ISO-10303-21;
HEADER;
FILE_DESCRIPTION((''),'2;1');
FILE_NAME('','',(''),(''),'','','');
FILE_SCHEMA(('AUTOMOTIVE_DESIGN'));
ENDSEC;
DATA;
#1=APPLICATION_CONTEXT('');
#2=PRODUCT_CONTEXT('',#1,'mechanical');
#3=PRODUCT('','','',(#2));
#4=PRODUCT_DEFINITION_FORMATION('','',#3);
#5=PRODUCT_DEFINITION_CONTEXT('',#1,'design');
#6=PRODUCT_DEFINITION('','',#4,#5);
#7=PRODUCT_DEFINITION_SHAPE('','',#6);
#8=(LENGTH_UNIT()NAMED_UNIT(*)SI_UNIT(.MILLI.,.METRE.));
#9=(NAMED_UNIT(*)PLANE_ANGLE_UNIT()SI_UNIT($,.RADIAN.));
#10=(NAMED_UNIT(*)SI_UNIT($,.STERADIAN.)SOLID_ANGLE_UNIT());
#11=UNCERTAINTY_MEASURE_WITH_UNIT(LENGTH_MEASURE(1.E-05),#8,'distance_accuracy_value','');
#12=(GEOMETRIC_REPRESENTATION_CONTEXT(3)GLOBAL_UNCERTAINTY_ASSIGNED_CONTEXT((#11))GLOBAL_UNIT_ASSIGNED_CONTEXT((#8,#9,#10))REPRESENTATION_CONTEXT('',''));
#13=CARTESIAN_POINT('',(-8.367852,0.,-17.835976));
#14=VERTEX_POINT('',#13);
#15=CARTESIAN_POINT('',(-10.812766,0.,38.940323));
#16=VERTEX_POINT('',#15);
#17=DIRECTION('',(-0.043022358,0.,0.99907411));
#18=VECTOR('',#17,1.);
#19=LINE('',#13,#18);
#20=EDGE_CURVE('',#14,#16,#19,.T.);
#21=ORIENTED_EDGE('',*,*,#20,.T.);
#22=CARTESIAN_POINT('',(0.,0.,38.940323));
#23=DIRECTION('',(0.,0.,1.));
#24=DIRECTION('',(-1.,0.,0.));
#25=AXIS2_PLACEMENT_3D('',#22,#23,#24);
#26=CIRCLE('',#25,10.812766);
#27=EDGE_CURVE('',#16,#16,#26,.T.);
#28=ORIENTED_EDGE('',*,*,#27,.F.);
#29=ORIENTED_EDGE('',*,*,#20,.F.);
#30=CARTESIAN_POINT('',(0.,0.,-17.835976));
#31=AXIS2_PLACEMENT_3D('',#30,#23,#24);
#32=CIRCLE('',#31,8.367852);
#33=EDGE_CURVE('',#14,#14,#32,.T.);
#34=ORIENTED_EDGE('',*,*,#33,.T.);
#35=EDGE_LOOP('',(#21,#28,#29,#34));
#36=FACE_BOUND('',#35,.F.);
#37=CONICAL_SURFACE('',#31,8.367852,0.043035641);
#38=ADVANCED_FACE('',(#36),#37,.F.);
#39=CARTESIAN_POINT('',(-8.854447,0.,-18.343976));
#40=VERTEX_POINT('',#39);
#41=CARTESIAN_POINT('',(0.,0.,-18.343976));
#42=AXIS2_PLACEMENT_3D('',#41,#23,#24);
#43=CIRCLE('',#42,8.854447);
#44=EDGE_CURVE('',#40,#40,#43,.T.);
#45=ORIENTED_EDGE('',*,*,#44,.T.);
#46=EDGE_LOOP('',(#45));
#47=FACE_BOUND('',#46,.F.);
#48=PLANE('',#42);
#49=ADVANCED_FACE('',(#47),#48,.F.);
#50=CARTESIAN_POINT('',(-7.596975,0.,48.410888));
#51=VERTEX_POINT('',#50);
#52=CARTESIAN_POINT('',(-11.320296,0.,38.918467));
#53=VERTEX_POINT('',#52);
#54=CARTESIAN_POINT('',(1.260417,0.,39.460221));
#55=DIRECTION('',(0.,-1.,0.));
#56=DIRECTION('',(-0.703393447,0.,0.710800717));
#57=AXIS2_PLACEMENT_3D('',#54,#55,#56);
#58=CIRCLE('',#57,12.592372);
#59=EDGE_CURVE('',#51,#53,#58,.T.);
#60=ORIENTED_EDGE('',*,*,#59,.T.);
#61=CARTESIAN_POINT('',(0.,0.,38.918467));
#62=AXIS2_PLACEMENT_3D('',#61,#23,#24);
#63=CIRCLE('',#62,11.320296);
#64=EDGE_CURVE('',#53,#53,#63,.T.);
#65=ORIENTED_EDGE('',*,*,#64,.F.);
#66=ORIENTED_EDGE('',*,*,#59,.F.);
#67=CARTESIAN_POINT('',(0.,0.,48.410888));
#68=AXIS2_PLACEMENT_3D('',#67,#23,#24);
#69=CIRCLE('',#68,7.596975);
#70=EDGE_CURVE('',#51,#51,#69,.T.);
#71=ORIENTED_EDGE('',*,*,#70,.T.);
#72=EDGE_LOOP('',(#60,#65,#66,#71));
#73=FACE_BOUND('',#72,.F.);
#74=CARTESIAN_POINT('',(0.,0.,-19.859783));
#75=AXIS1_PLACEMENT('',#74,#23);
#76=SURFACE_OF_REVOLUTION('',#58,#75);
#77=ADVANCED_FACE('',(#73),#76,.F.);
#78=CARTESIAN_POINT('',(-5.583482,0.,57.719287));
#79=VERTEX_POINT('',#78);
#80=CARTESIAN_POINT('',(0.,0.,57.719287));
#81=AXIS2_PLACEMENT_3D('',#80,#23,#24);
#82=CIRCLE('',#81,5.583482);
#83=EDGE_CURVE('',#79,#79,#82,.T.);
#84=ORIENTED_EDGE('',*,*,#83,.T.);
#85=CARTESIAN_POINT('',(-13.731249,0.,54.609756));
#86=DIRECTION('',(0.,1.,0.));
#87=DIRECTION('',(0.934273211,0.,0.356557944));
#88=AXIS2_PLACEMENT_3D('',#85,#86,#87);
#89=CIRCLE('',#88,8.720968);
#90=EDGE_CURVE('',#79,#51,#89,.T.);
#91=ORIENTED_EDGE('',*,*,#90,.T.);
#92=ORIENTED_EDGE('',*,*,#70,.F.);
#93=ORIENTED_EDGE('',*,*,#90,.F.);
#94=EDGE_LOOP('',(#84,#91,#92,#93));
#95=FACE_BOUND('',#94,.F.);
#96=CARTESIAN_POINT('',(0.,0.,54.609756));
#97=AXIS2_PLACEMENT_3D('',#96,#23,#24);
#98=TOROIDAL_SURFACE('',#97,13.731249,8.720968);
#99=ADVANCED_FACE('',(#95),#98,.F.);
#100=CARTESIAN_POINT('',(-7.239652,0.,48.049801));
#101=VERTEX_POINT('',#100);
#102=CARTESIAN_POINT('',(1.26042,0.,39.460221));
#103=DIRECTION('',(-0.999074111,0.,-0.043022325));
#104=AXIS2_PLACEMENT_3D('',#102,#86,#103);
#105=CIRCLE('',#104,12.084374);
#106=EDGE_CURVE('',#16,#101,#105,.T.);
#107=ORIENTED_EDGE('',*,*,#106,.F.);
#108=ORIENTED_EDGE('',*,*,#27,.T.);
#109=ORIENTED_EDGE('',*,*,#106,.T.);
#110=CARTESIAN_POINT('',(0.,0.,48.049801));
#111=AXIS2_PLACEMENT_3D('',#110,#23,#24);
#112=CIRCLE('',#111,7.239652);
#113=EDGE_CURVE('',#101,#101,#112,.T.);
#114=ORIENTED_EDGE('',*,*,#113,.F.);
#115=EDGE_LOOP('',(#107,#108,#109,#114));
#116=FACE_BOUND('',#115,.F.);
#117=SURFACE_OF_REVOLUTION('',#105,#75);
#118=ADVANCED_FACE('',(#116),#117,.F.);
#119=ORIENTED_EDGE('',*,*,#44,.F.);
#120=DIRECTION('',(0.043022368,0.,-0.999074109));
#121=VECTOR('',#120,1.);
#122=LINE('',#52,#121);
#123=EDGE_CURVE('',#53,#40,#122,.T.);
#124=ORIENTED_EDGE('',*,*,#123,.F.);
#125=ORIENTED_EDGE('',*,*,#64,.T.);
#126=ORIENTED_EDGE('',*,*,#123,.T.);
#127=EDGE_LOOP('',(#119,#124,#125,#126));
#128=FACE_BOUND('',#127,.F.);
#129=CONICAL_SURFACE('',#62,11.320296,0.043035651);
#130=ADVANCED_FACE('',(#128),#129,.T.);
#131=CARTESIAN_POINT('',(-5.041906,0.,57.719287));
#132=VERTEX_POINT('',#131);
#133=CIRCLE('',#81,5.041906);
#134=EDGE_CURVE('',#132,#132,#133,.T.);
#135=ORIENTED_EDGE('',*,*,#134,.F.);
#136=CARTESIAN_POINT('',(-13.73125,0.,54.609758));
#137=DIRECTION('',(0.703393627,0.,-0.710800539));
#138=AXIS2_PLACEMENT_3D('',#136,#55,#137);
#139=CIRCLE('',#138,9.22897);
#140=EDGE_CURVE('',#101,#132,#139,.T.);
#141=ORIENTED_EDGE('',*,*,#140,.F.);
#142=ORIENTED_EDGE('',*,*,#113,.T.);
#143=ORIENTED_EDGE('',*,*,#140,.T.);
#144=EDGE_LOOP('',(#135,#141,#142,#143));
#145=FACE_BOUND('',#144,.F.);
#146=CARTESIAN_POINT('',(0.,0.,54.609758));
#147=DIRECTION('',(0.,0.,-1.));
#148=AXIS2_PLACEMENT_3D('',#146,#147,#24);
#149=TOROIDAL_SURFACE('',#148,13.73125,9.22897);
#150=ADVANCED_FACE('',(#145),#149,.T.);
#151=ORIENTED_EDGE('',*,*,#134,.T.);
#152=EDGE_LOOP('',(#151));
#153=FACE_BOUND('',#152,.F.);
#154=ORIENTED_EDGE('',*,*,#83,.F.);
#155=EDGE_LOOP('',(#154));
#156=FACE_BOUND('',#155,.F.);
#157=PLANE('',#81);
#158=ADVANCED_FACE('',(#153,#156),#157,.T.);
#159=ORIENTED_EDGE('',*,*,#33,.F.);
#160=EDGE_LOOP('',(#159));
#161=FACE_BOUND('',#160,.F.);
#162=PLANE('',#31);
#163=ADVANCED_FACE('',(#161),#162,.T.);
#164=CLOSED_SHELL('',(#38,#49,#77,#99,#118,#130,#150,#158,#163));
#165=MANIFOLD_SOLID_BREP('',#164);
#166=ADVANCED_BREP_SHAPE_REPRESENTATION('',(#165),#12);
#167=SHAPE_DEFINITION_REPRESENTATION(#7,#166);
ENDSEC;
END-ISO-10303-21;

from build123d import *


with BuildPart() as f1:
    # F0 (on Front) → F1 (revolve)
    with BuildSketch(Plane.XZ):
        with BuildLine():
            Line((-8.854447, -18.343976), (0, -18.343976))
            Line((0, -18.343976), (0, -17.835976))
            Line((0, -17.835976), (-8.367852, -17.835976))
            Line((-8.367852, -17.835976), (-10.812766, 38.940323))
            ThreePointArc((-10.812766, 38.940323), (-9.989486, 43.872899), (-7.239652, 48.049801))
            ThreePointArc((-7.239652, 48.049801), (-4.731806, 52.564304), (-5.041906, 57.719287))
            Line((-5.041906, 57.719287), (-5.583482, 57.719287))
            ThreePointArc((-5.583482, 57.719287), (-5.207415, 52.765972), (-7.596975, 48.410888))
            ThreePointArc((-7.596975, 48.410888), (-10.462407, 44.058398), (-11.320296, 38.918467))
            Line((-11.320296, 38.918467), (-8.854447, -18.343976))
        make_face()
    revolve(axis=Axis((0, 0, -19.859783), (0, 0, 1)))


solid = f1.part
